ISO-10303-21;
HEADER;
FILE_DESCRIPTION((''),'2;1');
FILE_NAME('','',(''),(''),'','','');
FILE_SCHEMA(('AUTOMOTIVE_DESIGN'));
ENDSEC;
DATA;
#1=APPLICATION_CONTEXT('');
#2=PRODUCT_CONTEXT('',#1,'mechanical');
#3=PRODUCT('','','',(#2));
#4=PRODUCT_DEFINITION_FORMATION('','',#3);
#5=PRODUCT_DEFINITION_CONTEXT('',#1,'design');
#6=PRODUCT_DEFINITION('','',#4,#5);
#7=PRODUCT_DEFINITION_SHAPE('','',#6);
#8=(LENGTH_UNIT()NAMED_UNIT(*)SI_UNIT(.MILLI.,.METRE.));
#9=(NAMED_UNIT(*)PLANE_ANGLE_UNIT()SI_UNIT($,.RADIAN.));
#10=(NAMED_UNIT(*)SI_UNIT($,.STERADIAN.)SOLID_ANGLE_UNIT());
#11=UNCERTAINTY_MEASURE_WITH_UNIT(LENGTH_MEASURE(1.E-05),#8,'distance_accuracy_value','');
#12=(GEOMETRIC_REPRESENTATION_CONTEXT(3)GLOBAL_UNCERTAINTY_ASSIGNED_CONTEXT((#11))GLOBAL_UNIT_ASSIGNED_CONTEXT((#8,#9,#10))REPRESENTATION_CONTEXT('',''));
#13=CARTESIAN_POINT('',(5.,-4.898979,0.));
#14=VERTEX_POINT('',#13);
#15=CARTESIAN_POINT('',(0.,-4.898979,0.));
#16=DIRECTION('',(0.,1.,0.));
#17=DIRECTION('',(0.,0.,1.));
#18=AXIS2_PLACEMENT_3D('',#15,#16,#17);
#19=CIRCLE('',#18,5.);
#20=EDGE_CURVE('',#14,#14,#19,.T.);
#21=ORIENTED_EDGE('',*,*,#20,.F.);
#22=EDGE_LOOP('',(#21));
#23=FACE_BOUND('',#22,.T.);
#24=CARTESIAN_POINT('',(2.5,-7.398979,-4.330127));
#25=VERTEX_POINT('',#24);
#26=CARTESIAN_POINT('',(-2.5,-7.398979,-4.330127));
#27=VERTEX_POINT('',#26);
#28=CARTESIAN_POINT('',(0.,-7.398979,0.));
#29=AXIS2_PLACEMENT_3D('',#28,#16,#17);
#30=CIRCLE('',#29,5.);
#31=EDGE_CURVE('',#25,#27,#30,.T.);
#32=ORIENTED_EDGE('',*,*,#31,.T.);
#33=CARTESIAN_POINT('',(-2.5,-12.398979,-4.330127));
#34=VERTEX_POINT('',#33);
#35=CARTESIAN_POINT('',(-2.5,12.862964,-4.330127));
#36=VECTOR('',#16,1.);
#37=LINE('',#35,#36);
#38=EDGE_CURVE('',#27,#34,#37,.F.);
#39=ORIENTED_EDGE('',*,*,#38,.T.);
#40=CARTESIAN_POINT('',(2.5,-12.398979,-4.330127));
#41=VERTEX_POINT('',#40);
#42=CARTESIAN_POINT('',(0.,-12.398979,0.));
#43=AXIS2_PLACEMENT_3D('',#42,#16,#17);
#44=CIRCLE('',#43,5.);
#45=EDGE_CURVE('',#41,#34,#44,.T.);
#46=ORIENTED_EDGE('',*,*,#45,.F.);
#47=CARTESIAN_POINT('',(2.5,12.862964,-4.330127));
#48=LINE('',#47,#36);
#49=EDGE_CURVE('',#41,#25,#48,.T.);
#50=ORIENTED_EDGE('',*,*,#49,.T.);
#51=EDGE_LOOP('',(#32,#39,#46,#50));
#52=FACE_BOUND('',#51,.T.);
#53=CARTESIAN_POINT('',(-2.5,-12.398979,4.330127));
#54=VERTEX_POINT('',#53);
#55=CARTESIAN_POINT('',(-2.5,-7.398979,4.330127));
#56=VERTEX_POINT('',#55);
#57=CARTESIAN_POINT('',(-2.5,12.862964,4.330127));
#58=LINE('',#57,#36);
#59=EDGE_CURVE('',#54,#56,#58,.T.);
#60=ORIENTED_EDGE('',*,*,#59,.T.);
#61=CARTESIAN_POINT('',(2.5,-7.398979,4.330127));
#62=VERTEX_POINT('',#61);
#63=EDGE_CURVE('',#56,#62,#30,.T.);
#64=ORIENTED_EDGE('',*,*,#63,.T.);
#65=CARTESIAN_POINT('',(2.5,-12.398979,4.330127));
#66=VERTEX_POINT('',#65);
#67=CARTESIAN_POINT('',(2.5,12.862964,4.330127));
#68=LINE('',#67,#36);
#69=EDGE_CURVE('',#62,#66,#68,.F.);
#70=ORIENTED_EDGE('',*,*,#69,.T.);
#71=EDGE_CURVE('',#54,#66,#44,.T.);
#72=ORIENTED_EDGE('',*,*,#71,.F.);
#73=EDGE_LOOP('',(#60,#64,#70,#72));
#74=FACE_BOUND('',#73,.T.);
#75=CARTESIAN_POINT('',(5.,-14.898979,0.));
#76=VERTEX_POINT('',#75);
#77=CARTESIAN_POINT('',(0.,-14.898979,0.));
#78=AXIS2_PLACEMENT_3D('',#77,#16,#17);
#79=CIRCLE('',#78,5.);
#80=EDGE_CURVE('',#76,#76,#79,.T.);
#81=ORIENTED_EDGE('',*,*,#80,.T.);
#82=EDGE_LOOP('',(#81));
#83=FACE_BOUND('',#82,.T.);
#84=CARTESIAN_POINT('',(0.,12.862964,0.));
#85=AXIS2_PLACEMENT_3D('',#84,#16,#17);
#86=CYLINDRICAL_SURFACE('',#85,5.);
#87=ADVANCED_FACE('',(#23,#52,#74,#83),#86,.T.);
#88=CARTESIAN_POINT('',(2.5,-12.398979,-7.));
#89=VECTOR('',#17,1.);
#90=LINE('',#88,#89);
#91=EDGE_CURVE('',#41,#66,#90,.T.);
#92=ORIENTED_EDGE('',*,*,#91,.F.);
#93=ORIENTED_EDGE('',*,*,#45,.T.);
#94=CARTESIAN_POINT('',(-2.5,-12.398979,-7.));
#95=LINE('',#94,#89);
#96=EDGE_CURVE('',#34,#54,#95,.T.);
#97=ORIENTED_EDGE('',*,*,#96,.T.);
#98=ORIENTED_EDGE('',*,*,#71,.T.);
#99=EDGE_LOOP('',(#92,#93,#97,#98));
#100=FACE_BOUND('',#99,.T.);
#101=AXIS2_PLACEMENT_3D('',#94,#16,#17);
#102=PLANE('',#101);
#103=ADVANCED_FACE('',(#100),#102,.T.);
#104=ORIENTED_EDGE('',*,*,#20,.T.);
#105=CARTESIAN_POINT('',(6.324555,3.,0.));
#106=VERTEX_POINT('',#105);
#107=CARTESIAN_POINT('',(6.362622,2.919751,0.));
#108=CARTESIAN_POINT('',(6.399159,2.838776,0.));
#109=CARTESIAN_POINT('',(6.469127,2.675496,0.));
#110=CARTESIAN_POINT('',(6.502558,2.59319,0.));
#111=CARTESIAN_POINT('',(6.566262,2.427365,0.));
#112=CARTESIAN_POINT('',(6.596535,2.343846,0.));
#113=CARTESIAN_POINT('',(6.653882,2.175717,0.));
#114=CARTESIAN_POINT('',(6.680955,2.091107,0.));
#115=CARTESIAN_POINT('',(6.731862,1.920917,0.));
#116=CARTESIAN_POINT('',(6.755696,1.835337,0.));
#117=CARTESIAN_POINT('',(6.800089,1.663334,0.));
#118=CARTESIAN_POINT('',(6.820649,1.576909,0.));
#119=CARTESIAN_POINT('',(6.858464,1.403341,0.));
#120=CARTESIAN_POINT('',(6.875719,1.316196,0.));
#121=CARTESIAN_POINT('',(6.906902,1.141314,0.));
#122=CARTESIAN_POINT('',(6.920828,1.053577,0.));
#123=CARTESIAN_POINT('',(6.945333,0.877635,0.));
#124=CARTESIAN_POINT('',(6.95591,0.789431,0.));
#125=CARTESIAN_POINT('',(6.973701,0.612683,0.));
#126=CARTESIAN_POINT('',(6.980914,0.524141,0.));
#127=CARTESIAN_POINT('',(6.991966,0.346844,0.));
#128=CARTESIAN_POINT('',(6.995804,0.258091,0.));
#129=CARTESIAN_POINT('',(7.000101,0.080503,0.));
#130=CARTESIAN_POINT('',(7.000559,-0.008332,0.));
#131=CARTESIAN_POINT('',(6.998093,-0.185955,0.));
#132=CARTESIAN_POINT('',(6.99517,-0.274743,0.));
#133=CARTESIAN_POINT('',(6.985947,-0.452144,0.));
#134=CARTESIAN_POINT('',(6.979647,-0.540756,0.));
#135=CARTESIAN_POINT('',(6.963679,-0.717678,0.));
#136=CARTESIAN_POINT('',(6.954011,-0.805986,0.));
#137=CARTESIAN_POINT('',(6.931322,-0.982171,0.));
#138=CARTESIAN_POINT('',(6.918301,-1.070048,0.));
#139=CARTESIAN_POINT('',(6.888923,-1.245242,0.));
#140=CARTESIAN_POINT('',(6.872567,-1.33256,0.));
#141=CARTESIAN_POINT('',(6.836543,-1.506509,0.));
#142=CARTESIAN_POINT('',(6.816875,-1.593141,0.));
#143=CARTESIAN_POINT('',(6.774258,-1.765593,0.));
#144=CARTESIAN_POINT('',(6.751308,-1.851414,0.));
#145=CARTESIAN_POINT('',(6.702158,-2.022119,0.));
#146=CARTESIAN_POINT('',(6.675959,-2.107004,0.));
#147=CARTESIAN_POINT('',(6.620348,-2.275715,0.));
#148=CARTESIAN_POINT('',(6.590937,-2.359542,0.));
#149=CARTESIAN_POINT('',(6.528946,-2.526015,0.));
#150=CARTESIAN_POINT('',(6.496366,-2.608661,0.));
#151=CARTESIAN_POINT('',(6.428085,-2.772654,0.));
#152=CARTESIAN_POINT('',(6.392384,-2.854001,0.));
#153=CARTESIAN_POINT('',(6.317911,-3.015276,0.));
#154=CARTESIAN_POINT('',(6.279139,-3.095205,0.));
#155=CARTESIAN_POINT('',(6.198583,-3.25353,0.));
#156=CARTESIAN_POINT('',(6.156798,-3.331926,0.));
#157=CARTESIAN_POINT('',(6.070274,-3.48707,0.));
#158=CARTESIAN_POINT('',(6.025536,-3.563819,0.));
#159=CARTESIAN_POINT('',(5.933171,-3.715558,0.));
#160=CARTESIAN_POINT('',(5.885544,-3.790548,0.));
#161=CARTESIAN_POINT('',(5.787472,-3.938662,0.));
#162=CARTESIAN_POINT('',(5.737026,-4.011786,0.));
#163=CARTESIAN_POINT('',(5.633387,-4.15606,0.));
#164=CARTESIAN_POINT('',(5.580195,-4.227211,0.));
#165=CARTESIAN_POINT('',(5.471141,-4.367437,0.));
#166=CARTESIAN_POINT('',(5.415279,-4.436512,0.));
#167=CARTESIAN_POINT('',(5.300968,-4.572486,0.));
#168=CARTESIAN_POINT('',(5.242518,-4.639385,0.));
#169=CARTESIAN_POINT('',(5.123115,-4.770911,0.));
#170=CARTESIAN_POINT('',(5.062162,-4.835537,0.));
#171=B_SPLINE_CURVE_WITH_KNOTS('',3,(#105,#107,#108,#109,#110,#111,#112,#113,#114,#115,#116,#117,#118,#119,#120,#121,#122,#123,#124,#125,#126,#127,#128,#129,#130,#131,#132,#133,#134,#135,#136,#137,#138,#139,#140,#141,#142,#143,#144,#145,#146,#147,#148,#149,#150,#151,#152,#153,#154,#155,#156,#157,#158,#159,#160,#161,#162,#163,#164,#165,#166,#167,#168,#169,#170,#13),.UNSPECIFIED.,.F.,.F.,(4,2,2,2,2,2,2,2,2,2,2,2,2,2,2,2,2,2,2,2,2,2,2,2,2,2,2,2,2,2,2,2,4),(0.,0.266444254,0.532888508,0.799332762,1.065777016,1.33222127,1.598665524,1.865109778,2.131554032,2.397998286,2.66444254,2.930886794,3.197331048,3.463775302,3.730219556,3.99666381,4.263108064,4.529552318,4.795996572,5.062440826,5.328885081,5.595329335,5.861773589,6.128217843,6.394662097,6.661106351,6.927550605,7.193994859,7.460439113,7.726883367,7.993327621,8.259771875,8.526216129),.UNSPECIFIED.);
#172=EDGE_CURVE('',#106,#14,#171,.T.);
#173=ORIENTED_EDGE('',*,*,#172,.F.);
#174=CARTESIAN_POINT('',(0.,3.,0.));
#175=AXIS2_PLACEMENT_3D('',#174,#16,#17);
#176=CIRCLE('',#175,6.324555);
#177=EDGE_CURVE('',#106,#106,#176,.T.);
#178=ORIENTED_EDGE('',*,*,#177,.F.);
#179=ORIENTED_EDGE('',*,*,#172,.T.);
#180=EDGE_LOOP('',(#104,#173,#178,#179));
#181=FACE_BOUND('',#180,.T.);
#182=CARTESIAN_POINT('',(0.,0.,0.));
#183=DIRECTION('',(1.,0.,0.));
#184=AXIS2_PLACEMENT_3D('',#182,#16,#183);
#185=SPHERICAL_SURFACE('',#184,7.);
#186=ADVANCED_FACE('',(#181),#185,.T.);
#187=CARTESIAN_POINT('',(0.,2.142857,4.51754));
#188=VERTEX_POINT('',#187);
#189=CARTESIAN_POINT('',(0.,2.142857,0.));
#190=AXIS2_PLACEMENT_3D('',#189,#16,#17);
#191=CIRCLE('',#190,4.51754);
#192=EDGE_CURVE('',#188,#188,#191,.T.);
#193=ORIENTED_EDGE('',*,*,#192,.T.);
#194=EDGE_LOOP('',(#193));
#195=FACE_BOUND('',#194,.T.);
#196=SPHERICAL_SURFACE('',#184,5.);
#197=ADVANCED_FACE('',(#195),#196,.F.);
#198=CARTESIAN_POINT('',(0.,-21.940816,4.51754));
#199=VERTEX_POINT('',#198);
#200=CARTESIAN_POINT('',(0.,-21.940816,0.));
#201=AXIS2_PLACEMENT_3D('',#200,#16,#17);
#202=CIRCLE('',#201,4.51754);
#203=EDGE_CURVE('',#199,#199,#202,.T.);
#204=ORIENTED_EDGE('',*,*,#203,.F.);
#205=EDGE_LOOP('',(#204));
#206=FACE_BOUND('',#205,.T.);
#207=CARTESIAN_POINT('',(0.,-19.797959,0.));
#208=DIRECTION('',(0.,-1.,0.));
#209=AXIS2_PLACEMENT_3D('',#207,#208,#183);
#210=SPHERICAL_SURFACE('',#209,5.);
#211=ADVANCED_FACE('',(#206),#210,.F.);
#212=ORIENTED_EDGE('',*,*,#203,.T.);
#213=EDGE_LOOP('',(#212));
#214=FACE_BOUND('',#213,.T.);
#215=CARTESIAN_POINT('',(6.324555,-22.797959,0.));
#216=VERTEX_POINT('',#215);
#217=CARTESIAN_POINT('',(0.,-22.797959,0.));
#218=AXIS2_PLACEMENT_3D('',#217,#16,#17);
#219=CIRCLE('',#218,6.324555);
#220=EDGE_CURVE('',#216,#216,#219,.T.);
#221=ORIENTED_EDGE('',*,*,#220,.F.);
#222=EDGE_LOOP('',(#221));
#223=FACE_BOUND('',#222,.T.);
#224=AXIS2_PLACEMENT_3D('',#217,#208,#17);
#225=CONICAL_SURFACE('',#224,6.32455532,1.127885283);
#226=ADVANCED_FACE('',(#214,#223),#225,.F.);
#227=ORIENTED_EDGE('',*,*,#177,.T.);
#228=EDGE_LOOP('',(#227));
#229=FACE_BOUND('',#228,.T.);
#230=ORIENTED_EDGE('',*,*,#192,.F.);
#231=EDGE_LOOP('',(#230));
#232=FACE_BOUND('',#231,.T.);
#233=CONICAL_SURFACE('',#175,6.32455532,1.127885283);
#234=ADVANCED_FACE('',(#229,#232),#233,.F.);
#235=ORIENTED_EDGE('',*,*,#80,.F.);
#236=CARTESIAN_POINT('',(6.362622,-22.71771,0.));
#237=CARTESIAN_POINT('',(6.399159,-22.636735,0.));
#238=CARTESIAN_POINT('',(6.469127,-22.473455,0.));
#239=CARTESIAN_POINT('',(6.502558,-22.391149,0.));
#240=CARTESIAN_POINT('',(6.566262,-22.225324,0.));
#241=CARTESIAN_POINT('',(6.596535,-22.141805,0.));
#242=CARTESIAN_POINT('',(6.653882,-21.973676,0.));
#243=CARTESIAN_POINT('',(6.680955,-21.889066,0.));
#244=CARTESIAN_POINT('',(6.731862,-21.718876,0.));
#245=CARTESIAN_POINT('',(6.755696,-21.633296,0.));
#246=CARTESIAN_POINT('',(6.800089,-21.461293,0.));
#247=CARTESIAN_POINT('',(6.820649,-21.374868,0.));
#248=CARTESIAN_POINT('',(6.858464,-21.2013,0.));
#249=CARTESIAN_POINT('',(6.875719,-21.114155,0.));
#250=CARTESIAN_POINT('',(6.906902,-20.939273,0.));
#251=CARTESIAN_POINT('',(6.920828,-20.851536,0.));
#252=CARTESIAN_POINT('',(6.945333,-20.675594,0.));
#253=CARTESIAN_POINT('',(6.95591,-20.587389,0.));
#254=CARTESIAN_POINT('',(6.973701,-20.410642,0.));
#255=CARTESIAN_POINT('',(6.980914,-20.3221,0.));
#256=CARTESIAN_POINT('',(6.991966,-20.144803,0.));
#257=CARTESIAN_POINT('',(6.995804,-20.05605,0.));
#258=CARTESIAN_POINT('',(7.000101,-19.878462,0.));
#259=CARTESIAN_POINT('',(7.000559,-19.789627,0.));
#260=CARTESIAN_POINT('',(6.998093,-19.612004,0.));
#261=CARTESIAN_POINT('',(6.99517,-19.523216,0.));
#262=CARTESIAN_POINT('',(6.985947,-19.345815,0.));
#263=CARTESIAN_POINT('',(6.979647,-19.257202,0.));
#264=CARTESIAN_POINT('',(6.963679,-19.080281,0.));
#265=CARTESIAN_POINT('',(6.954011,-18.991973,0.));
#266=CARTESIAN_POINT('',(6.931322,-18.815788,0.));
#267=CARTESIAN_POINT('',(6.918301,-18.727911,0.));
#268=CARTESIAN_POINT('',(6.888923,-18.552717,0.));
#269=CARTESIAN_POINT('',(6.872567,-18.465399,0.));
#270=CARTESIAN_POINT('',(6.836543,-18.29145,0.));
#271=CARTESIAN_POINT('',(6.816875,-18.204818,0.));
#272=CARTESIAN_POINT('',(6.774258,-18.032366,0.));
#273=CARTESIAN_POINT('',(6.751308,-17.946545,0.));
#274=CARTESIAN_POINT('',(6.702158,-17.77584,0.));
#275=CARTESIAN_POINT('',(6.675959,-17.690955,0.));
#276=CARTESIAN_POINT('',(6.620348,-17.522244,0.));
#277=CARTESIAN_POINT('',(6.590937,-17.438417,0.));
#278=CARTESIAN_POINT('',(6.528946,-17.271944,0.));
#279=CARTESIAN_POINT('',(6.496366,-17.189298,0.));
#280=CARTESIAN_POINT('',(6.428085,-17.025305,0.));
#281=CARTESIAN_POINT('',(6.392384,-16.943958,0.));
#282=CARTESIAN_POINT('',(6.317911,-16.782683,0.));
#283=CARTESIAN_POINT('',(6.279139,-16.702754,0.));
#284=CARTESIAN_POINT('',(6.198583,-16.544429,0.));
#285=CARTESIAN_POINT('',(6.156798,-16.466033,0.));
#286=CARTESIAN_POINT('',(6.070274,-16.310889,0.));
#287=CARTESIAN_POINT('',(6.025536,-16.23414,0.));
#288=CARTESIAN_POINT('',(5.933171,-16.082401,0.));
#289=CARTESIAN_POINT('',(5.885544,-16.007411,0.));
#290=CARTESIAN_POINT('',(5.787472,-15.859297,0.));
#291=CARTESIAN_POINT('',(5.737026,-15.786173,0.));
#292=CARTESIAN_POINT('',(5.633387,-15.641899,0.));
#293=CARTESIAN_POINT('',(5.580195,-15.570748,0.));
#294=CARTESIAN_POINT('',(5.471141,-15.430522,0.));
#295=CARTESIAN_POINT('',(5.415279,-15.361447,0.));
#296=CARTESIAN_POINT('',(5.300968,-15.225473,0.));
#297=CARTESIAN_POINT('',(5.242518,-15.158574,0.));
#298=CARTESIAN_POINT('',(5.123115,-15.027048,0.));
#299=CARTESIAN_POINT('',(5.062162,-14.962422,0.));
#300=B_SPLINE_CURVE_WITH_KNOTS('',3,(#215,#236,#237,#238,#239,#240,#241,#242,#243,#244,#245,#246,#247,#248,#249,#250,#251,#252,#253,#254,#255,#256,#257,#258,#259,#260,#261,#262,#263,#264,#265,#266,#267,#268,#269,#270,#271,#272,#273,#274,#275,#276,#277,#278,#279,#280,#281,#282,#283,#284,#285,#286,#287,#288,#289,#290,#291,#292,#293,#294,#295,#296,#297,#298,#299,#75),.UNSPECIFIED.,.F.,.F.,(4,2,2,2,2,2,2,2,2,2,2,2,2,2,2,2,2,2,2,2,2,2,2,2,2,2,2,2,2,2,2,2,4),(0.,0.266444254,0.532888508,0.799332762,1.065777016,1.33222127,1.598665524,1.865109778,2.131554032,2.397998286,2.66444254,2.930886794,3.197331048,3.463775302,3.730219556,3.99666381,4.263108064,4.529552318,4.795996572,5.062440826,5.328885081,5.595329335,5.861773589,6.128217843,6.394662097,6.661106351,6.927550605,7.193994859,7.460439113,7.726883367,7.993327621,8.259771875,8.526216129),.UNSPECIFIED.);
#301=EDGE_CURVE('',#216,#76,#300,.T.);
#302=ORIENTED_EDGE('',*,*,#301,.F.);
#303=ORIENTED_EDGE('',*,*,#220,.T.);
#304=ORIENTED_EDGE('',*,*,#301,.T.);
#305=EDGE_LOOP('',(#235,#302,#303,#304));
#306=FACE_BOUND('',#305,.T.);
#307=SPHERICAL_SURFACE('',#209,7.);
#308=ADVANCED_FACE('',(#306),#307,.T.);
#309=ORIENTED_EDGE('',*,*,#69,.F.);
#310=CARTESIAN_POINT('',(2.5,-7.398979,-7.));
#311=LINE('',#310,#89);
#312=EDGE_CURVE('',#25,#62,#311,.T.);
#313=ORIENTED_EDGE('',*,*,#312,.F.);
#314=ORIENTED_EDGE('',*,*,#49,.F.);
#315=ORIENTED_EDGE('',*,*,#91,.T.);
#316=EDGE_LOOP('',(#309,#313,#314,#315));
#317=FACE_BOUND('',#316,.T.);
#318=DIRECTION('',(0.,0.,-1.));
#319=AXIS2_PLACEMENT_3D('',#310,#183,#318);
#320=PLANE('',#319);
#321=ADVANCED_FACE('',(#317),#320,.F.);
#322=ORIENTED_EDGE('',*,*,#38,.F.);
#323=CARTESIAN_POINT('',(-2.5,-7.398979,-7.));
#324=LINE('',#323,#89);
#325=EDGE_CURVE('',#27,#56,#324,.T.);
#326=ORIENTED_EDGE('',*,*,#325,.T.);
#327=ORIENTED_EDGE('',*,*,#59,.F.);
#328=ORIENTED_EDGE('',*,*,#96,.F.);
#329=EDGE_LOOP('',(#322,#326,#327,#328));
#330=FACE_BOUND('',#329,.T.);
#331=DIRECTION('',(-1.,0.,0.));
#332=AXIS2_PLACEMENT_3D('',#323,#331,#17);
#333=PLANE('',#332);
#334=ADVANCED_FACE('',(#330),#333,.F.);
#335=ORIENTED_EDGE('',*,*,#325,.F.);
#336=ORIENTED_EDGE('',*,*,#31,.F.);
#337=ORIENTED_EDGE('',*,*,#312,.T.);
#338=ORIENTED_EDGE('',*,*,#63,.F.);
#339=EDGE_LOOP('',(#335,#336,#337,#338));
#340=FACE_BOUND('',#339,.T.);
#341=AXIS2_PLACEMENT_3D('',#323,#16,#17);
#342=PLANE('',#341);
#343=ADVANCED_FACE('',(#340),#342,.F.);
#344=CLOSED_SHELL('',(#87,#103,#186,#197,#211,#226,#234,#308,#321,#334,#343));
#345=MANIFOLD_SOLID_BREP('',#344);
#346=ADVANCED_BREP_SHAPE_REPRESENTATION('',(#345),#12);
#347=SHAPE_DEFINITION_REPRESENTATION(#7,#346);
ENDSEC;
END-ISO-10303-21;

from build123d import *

# Parameters (mm, degrees)
SKETCH3_W          = 5
SKETCH3_H          = 2.5
CUT_EXTRUDE1_DEPTH = 14.999635526


with BuildPart() as part:
    # Sketch1 → Revolve1 (revolve)
    with BuildSketch(Plane.XY):
        with BuildLine():
            Line((5, -4.898979486), (5, -9.898979486))
            Line((5, -9.898979486), (0, -9.898979486))
            Line((0, -9.898979486), (0, -5))
            ThreePointArc((0, -5), (4.225771274, -2.672612419), (4.517539515, 2.142857143))
            Line((4.517539515, 2.142857143), (6.32455532, 3))
            ThreePointArc((6.32455532, 3), (6.903611919, -1.157645227), (5, -4.898979486))
        make_face()
    revolve1 = revolve(axis=Axis((0, 12.862963673, 0), (0, -1, 0)))

    # Sketch3 → Cut-Extrude1 (cut, symmetric)
    with BuildSketch(Plane.XY):
        with Locations((0, -8.648979486)):
            Rectangle(SKETCH3_W, SKETCH3_H)
    cut_extrude1 = extrude(amount=CUT_EXTRUDE1_DEPTH, both=True, mode=Mode.SUBTRACT)

    # Mirror1: Revolve1, Cut-Extrude1 across plane
    add(revolve1.mirror(Plane(origin=(5, -9.898979486, 0), x_dir=(0, 0, 1), z_dir=(0, 1, 0))))
    add(cut_extrude1.mirror(Plane(origin=(5, -9.898979486, 0), x_dir=(0, 0, 1), z_dir=(0, 1, 0))), mode=Mode.SUBTRACT)


solid = part.part
